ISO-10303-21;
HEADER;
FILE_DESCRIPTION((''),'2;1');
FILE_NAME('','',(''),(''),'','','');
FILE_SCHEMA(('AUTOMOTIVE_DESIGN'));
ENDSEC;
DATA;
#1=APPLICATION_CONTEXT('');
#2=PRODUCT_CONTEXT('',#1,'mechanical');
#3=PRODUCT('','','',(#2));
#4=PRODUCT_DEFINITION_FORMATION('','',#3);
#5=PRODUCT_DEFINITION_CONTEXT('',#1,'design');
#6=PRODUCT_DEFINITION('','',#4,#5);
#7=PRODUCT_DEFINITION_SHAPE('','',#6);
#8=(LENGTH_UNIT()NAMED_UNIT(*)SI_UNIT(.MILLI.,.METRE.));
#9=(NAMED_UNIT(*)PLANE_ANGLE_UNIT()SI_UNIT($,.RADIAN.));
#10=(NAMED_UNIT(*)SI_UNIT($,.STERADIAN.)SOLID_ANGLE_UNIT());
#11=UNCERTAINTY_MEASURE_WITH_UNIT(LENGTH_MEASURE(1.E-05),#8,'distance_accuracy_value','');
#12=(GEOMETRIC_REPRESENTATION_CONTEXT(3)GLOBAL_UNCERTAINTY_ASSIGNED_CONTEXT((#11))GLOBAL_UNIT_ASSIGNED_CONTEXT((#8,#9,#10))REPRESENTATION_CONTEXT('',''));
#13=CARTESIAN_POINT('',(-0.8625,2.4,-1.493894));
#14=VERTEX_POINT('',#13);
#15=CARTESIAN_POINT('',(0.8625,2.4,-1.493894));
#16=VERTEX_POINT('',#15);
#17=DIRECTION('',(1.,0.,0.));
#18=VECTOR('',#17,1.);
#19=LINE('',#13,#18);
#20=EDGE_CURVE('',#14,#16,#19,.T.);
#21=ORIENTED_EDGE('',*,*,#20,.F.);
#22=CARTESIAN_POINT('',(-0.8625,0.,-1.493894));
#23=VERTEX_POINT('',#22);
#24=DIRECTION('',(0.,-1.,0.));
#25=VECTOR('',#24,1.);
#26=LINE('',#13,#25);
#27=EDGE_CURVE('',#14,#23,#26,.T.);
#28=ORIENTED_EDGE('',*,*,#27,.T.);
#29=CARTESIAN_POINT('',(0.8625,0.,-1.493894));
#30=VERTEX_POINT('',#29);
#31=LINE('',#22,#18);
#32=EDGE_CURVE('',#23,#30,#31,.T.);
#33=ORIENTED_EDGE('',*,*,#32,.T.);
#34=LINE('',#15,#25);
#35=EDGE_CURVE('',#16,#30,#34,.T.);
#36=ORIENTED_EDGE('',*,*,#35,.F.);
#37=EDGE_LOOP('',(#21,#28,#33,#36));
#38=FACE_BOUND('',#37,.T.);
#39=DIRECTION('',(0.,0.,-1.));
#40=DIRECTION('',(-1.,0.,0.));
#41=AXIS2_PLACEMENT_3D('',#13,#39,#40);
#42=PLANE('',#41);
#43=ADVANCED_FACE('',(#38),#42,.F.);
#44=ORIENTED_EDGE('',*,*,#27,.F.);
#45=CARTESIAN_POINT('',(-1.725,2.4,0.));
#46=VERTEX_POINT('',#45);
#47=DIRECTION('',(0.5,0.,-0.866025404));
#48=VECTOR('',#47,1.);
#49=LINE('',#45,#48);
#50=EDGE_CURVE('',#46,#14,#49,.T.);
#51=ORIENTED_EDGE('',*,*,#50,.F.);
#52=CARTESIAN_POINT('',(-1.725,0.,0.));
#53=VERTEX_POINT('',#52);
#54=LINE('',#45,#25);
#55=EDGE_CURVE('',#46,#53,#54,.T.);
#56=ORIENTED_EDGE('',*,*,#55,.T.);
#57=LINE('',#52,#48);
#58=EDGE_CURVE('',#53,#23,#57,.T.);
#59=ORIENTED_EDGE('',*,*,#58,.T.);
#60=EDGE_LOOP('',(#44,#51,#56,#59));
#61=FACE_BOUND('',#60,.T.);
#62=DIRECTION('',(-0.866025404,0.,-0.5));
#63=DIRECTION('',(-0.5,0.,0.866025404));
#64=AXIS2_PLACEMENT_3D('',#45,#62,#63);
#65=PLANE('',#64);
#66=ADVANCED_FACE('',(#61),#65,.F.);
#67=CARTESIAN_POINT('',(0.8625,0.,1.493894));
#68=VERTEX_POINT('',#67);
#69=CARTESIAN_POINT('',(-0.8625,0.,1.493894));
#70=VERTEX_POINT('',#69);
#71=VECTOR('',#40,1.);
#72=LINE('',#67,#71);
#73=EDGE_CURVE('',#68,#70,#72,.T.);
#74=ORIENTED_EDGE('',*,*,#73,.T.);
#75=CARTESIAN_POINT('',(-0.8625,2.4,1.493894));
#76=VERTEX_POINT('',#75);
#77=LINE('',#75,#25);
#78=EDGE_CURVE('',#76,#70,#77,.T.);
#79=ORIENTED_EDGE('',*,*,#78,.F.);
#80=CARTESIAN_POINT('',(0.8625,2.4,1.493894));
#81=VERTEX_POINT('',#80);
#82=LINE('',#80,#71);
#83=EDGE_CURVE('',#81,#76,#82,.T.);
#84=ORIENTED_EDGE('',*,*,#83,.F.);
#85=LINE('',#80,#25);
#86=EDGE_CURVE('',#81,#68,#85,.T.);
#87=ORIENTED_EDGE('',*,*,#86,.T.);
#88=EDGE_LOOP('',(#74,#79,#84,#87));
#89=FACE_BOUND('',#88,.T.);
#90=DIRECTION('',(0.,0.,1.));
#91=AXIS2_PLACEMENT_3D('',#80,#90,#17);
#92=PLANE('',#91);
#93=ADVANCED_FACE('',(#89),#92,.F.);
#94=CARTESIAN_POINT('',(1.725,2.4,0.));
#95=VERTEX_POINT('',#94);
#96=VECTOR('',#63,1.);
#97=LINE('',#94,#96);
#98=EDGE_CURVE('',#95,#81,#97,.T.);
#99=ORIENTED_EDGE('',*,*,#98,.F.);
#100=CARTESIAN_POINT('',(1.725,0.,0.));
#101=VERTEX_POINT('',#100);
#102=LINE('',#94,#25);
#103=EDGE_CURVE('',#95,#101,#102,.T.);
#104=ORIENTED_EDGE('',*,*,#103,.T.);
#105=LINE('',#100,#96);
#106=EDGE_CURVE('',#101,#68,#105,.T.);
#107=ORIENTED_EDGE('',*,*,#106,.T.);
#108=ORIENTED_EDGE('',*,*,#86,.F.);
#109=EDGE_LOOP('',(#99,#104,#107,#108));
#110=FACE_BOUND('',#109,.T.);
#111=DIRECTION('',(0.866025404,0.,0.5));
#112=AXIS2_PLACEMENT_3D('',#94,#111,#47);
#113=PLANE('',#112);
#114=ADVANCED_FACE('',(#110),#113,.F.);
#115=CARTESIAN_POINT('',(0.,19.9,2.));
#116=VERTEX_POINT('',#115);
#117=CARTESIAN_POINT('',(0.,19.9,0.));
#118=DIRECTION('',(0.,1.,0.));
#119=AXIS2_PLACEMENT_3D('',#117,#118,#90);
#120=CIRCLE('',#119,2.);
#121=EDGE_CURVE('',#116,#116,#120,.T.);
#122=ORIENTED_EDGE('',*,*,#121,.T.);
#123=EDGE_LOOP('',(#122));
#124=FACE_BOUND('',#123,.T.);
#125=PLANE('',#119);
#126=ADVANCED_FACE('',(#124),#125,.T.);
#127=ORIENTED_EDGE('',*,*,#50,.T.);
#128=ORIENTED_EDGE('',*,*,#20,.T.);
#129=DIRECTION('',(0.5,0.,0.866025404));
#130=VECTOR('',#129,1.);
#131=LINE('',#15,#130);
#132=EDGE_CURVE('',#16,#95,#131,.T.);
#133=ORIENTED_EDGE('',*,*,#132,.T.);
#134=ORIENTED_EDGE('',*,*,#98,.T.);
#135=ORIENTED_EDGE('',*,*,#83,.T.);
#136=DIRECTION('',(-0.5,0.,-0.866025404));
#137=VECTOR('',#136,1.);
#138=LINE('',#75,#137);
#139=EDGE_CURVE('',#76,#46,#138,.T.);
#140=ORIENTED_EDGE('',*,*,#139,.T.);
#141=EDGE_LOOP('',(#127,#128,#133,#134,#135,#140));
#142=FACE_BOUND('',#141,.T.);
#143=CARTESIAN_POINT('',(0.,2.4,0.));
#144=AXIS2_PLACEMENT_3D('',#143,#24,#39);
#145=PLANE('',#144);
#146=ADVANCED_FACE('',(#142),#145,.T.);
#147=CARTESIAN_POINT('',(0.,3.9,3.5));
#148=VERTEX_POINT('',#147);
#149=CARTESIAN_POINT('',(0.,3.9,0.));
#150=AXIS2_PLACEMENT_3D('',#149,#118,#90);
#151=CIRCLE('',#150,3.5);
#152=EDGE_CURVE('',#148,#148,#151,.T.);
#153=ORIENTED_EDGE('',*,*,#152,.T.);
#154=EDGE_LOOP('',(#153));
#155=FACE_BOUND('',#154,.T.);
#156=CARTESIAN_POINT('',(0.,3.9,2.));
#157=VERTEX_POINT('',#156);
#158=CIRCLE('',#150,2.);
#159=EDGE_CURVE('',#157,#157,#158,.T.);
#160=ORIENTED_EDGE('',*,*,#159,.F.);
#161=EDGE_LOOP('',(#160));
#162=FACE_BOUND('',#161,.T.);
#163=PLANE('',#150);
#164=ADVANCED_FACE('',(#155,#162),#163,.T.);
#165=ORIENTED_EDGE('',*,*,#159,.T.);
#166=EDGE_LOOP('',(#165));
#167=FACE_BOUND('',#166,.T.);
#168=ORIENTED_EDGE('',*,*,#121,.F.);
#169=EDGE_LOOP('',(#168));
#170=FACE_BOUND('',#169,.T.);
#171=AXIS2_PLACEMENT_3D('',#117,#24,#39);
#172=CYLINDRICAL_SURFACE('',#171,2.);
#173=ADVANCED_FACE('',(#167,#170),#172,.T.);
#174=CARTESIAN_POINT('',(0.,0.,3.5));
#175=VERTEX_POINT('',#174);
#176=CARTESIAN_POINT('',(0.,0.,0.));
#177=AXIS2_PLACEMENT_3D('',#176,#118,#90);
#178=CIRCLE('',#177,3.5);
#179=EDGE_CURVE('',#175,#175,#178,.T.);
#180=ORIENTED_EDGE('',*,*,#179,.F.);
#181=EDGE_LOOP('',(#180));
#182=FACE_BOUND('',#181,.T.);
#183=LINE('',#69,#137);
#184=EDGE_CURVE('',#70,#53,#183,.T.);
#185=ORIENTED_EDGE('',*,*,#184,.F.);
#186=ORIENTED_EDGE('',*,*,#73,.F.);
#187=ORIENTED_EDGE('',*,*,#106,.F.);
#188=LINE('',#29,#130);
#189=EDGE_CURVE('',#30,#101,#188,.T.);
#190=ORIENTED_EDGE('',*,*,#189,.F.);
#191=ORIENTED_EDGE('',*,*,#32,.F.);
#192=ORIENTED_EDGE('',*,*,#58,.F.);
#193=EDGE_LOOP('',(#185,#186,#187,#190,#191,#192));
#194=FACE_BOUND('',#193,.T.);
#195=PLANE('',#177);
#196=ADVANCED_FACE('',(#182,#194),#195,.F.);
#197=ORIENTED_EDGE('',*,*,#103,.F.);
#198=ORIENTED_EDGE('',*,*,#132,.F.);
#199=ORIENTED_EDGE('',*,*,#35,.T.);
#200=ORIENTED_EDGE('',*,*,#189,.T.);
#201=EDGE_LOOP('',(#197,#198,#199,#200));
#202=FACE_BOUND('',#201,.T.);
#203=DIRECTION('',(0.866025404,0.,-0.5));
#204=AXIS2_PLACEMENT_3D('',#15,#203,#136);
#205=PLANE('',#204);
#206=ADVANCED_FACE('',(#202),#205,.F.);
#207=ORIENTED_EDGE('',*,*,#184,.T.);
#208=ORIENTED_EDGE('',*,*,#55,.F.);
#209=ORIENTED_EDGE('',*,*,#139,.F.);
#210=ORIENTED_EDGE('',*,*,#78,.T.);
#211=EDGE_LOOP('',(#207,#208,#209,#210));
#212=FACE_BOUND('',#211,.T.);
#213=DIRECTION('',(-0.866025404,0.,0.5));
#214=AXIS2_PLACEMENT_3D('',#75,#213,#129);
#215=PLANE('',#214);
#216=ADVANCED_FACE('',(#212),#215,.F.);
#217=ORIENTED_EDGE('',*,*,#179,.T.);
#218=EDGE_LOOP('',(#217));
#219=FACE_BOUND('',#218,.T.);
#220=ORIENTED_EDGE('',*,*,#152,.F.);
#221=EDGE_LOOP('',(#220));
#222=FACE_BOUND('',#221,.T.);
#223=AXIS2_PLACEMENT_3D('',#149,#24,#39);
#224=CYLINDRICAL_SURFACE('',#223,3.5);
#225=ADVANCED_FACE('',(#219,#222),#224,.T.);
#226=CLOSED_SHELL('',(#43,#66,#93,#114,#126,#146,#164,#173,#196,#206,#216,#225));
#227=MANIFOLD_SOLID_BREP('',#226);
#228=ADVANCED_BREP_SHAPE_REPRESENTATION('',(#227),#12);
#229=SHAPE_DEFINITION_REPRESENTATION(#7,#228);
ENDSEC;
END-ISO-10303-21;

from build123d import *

# Parameters (mm, degrees)
SKETCH_1_R          = 3.5
EXTRUDE_1_DEPTH     = 3.9
SKETCH_2_R          = 2
EXTRUDE_2_DEPTH     = 16
CUT_EXTRUDE_1_DEPTH = 2.4


with BuildPart() as part:
    # 草图1 → 凸台-拉伸1 (new body)
    with BuildSketch(Plane(origin=(0, 0, 0), x_dir=(1, 0, 0), z_dir=(0, 1, 0))):
        Circle(SKETCH_1_R)
    extrude(amount=EXTRUDE_1_DEPTH)

    # 草图2 → 凸台-拉伸2 (add)
    with BuildSketch(Plane(origin=(0, 3.9, 0), x_dir=(1, 0, 0), z_dir=(0, 1, 0))):
        Circle(SKETCH_2_R)
    extrude(amount=EXTRUDE_2_DEPTH)

    # 草图3 → 切除-拉伸1 (cut)
    with BuildSketch(Plane.XZ):
        Polygon((1.725, 0), (0.8625, 1.493893822), (-0.8625, 1.493893822), (-1.725, 0), (-0.8625, -1.493893822), (0.8625, -1.493893822), align=None)
    extrude(amount=-CUT_EXTRUDE_1_DEPTH, mode=Mode.SUBTRACT)


solid = part.part
